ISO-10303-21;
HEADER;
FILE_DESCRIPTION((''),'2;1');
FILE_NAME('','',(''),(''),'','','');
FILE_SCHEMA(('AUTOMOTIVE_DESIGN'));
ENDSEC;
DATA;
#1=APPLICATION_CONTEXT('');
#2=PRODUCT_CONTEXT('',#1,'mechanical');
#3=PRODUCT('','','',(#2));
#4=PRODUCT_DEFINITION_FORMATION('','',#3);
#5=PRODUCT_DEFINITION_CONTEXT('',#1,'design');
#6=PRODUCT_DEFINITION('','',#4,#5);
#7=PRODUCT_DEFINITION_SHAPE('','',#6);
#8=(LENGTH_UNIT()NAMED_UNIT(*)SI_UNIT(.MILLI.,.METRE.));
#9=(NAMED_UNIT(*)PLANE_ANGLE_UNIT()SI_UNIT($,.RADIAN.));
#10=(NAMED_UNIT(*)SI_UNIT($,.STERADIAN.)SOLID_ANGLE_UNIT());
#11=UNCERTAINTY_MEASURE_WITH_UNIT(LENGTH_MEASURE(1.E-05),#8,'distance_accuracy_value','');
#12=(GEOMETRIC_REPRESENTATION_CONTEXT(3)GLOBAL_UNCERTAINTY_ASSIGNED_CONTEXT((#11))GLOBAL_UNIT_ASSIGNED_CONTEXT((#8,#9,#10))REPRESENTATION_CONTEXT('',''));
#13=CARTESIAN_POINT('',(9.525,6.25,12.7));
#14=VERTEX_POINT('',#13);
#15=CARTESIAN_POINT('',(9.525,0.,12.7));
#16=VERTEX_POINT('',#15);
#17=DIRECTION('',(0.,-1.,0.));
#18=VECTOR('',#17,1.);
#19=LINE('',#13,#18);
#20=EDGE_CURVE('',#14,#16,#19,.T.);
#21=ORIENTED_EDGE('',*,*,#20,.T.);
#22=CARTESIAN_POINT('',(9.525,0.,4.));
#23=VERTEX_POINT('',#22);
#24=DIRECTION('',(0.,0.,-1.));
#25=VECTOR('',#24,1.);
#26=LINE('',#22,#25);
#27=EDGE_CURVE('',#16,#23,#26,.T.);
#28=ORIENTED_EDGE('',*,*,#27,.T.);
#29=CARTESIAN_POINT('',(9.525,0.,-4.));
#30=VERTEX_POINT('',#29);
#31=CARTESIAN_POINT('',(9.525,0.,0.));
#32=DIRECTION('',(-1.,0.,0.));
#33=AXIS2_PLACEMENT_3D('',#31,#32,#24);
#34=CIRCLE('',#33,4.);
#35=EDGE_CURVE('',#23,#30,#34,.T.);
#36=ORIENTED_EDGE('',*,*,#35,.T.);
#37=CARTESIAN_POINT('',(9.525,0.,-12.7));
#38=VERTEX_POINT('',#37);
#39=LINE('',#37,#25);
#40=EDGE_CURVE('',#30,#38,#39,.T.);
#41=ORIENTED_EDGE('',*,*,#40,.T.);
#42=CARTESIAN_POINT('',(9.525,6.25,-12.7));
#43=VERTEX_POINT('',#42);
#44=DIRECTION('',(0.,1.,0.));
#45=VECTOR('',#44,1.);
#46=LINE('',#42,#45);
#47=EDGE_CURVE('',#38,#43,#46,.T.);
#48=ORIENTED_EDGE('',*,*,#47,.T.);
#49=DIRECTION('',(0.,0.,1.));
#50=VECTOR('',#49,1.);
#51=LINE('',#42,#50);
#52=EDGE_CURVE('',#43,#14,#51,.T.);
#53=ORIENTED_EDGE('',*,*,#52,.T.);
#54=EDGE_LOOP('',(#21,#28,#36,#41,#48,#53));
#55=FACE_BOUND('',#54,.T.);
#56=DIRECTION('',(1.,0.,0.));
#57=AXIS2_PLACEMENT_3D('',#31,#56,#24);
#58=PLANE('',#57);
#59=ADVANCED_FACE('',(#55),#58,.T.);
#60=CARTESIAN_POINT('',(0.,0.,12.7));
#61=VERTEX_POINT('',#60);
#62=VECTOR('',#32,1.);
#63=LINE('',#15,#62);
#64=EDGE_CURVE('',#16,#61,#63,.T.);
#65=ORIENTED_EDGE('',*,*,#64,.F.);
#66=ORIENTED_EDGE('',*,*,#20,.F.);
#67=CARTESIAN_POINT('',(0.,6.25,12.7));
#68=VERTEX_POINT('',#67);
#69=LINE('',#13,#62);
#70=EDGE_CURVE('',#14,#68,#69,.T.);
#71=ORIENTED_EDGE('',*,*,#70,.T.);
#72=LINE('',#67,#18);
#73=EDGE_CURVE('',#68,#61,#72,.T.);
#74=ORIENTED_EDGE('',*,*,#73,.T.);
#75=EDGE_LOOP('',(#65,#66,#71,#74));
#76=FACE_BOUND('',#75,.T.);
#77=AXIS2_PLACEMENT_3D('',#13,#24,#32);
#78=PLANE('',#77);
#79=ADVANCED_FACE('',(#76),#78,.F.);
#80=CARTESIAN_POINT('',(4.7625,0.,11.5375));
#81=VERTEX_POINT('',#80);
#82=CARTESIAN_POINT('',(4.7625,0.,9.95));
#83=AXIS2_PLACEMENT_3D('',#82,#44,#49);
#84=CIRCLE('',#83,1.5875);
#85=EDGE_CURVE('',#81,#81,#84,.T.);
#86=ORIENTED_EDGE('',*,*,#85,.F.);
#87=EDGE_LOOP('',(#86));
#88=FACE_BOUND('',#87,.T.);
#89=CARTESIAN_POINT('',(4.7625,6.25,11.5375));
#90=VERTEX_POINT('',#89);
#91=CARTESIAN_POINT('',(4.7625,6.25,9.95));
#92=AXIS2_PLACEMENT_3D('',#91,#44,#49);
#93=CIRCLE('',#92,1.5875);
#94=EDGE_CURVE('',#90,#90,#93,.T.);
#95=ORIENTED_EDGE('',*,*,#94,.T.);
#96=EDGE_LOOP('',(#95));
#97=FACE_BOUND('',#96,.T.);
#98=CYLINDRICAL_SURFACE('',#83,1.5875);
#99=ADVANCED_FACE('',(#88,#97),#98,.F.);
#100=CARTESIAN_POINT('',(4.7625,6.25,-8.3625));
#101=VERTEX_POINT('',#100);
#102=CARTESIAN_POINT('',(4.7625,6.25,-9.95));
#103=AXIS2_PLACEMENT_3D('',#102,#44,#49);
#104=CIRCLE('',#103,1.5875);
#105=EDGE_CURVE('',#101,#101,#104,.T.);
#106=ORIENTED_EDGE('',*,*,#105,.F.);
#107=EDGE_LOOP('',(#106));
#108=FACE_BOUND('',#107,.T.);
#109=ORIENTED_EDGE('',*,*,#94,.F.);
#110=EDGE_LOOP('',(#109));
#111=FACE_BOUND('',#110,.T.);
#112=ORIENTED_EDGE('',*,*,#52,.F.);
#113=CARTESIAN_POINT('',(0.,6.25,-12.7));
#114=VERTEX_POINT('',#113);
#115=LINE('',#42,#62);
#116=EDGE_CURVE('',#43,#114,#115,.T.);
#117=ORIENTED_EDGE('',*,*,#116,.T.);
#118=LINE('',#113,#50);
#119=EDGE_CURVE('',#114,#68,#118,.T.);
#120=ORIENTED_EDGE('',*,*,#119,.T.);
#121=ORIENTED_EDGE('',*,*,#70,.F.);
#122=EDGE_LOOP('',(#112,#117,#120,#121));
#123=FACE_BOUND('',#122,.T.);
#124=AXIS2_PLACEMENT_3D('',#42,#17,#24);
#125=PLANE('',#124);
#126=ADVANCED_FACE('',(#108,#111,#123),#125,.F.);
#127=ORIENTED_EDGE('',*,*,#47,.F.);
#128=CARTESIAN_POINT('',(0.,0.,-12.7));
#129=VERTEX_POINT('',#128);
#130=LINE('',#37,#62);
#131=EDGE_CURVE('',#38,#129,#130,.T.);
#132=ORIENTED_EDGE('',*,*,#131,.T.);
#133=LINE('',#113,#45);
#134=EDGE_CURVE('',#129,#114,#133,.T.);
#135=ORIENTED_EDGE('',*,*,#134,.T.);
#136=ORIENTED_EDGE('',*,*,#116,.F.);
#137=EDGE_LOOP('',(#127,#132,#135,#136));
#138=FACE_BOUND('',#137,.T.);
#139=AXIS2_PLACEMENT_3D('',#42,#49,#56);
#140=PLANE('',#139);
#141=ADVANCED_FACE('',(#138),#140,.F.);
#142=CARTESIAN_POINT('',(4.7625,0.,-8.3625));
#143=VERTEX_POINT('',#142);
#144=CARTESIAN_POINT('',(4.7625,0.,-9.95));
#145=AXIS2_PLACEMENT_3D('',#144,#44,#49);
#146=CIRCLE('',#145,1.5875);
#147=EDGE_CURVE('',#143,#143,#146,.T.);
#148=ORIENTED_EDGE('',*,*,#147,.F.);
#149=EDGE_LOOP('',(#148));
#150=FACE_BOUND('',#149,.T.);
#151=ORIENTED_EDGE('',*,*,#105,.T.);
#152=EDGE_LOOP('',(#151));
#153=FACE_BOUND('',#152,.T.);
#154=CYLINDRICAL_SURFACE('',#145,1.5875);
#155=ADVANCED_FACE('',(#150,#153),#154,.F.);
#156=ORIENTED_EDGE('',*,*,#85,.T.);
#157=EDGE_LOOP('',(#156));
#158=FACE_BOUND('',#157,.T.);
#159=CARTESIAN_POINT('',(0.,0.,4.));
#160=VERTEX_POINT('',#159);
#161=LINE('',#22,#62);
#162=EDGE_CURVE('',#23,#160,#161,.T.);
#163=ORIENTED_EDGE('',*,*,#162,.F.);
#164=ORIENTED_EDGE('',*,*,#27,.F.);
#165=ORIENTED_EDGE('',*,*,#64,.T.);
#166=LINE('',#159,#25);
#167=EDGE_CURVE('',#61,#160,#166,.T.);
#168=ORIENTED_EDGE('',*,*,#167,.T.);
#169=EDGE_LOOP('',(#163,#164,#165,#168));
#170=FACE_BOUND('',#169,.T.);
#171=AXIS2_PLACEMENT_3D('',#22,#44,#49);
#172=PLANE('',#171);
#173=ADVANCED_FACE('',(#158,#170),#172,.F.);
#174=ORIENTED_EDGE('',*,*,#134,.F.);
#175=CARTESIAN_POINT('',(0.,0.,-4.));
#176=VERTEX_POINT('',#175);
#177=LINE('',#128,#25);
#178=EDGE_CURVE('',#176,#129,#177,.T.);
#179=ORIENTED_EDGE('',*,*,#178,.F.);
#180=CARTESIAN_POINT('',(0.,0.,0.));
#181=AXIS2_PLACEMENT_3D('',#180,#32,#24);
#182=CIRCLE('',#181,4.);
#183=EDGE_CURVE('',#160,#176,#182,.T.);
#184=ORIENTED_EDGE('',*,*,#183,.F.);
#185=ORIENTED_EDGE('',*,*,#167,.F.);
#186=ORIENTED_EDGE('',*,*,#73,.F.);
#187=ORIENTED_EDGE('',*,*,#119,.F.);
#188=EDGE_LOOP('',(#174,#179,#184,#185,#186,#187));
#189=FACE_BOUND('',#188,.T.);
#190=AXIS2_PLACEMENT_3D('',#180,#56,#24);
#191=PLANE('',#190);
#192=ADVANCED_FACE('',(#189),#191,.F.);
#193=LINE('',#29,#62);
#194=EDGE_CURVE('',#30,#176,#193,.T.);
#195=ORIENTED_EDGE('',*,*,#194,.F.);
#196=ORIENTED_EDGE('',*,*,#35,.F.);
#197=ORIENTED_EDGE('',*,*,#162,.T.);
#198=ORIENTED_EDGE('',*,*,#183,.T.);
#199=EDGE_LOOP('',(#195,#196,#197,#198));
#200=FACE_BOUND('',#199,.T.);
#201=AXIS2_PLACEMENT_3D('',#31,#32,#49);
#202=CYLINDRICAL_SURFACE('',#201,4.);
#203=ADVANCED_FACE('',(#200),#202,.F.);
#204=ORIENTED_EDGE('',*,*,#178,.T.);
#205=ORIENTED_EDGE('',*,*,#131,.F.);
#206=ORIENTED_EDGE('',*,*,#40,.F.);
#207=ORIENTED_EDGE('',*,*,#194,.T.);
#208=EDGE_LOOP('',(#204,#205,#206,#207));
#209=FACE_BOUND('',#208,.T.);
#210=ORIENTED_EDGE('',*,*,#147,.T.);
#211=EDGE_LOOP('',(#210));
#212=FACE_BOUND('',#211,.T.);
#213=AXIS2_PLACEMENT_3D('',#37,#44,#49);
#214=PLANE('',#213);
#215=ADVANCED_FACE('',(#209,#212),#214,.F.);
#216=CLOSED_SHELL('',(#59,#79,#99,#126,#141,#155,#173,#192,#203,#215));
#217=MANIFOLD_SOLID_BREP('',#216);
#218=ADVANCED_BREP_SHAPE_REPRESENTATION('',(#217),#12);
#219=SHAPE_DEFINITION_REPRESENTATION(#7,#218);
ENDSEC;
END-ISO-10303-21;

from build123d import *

# Parameters (mm, degrees)
BOSS_EXTRUDE1_DEPTH = 9.525
SKETCH2_R           = 1.5875
CUT_EXTRUDE1_DEPTH  = 18.06101184


with BuildPart() as part:
    # Sketch1 → Boss-Extrude1 (new body)
    with BuildSketch(Plane(origin=(0, 0, 0), x_dir=(0, 0, -1), z_dir=(1, 0, 0))):
        with BuildLine():
            Line((-4, 0), (-12.7, 0))
            Line((-12.7, 0), (-12.7, 6.25))
            Line((-12.7, 6.25), (12.7, 6.25))
            Line((12.7, 6.25), (12.7, 0))
            Line((12.7, 0), (4, 0))
            ThreePointArc((4, 0), (0, 4), (-4, 0))
        make_face()
    extrude(amount=BOSS_EXTRUDE1_DEPTH)

    # Sketch2 → Cut-Extrude1 (cut, through all)
    with BuildSketch(Plane(origin=(0, 6.25, 0), x_dir=(1, 0, 0), z_dir=(0, 1, 0))):
        with Locations(Location((4.7625, -9.95, 0), (0, 0, 270))):
            Circle(SKETCH2_R)
        with Locations(Location((4.7625, 9.95, 0), (0, 0, 270))):
            Circle(SKETCH2_R)
    extrude(amount=-CUT_EXTRUDE1_DEPTH, mode=Mode.SUBTRACT)


solid = part.part
